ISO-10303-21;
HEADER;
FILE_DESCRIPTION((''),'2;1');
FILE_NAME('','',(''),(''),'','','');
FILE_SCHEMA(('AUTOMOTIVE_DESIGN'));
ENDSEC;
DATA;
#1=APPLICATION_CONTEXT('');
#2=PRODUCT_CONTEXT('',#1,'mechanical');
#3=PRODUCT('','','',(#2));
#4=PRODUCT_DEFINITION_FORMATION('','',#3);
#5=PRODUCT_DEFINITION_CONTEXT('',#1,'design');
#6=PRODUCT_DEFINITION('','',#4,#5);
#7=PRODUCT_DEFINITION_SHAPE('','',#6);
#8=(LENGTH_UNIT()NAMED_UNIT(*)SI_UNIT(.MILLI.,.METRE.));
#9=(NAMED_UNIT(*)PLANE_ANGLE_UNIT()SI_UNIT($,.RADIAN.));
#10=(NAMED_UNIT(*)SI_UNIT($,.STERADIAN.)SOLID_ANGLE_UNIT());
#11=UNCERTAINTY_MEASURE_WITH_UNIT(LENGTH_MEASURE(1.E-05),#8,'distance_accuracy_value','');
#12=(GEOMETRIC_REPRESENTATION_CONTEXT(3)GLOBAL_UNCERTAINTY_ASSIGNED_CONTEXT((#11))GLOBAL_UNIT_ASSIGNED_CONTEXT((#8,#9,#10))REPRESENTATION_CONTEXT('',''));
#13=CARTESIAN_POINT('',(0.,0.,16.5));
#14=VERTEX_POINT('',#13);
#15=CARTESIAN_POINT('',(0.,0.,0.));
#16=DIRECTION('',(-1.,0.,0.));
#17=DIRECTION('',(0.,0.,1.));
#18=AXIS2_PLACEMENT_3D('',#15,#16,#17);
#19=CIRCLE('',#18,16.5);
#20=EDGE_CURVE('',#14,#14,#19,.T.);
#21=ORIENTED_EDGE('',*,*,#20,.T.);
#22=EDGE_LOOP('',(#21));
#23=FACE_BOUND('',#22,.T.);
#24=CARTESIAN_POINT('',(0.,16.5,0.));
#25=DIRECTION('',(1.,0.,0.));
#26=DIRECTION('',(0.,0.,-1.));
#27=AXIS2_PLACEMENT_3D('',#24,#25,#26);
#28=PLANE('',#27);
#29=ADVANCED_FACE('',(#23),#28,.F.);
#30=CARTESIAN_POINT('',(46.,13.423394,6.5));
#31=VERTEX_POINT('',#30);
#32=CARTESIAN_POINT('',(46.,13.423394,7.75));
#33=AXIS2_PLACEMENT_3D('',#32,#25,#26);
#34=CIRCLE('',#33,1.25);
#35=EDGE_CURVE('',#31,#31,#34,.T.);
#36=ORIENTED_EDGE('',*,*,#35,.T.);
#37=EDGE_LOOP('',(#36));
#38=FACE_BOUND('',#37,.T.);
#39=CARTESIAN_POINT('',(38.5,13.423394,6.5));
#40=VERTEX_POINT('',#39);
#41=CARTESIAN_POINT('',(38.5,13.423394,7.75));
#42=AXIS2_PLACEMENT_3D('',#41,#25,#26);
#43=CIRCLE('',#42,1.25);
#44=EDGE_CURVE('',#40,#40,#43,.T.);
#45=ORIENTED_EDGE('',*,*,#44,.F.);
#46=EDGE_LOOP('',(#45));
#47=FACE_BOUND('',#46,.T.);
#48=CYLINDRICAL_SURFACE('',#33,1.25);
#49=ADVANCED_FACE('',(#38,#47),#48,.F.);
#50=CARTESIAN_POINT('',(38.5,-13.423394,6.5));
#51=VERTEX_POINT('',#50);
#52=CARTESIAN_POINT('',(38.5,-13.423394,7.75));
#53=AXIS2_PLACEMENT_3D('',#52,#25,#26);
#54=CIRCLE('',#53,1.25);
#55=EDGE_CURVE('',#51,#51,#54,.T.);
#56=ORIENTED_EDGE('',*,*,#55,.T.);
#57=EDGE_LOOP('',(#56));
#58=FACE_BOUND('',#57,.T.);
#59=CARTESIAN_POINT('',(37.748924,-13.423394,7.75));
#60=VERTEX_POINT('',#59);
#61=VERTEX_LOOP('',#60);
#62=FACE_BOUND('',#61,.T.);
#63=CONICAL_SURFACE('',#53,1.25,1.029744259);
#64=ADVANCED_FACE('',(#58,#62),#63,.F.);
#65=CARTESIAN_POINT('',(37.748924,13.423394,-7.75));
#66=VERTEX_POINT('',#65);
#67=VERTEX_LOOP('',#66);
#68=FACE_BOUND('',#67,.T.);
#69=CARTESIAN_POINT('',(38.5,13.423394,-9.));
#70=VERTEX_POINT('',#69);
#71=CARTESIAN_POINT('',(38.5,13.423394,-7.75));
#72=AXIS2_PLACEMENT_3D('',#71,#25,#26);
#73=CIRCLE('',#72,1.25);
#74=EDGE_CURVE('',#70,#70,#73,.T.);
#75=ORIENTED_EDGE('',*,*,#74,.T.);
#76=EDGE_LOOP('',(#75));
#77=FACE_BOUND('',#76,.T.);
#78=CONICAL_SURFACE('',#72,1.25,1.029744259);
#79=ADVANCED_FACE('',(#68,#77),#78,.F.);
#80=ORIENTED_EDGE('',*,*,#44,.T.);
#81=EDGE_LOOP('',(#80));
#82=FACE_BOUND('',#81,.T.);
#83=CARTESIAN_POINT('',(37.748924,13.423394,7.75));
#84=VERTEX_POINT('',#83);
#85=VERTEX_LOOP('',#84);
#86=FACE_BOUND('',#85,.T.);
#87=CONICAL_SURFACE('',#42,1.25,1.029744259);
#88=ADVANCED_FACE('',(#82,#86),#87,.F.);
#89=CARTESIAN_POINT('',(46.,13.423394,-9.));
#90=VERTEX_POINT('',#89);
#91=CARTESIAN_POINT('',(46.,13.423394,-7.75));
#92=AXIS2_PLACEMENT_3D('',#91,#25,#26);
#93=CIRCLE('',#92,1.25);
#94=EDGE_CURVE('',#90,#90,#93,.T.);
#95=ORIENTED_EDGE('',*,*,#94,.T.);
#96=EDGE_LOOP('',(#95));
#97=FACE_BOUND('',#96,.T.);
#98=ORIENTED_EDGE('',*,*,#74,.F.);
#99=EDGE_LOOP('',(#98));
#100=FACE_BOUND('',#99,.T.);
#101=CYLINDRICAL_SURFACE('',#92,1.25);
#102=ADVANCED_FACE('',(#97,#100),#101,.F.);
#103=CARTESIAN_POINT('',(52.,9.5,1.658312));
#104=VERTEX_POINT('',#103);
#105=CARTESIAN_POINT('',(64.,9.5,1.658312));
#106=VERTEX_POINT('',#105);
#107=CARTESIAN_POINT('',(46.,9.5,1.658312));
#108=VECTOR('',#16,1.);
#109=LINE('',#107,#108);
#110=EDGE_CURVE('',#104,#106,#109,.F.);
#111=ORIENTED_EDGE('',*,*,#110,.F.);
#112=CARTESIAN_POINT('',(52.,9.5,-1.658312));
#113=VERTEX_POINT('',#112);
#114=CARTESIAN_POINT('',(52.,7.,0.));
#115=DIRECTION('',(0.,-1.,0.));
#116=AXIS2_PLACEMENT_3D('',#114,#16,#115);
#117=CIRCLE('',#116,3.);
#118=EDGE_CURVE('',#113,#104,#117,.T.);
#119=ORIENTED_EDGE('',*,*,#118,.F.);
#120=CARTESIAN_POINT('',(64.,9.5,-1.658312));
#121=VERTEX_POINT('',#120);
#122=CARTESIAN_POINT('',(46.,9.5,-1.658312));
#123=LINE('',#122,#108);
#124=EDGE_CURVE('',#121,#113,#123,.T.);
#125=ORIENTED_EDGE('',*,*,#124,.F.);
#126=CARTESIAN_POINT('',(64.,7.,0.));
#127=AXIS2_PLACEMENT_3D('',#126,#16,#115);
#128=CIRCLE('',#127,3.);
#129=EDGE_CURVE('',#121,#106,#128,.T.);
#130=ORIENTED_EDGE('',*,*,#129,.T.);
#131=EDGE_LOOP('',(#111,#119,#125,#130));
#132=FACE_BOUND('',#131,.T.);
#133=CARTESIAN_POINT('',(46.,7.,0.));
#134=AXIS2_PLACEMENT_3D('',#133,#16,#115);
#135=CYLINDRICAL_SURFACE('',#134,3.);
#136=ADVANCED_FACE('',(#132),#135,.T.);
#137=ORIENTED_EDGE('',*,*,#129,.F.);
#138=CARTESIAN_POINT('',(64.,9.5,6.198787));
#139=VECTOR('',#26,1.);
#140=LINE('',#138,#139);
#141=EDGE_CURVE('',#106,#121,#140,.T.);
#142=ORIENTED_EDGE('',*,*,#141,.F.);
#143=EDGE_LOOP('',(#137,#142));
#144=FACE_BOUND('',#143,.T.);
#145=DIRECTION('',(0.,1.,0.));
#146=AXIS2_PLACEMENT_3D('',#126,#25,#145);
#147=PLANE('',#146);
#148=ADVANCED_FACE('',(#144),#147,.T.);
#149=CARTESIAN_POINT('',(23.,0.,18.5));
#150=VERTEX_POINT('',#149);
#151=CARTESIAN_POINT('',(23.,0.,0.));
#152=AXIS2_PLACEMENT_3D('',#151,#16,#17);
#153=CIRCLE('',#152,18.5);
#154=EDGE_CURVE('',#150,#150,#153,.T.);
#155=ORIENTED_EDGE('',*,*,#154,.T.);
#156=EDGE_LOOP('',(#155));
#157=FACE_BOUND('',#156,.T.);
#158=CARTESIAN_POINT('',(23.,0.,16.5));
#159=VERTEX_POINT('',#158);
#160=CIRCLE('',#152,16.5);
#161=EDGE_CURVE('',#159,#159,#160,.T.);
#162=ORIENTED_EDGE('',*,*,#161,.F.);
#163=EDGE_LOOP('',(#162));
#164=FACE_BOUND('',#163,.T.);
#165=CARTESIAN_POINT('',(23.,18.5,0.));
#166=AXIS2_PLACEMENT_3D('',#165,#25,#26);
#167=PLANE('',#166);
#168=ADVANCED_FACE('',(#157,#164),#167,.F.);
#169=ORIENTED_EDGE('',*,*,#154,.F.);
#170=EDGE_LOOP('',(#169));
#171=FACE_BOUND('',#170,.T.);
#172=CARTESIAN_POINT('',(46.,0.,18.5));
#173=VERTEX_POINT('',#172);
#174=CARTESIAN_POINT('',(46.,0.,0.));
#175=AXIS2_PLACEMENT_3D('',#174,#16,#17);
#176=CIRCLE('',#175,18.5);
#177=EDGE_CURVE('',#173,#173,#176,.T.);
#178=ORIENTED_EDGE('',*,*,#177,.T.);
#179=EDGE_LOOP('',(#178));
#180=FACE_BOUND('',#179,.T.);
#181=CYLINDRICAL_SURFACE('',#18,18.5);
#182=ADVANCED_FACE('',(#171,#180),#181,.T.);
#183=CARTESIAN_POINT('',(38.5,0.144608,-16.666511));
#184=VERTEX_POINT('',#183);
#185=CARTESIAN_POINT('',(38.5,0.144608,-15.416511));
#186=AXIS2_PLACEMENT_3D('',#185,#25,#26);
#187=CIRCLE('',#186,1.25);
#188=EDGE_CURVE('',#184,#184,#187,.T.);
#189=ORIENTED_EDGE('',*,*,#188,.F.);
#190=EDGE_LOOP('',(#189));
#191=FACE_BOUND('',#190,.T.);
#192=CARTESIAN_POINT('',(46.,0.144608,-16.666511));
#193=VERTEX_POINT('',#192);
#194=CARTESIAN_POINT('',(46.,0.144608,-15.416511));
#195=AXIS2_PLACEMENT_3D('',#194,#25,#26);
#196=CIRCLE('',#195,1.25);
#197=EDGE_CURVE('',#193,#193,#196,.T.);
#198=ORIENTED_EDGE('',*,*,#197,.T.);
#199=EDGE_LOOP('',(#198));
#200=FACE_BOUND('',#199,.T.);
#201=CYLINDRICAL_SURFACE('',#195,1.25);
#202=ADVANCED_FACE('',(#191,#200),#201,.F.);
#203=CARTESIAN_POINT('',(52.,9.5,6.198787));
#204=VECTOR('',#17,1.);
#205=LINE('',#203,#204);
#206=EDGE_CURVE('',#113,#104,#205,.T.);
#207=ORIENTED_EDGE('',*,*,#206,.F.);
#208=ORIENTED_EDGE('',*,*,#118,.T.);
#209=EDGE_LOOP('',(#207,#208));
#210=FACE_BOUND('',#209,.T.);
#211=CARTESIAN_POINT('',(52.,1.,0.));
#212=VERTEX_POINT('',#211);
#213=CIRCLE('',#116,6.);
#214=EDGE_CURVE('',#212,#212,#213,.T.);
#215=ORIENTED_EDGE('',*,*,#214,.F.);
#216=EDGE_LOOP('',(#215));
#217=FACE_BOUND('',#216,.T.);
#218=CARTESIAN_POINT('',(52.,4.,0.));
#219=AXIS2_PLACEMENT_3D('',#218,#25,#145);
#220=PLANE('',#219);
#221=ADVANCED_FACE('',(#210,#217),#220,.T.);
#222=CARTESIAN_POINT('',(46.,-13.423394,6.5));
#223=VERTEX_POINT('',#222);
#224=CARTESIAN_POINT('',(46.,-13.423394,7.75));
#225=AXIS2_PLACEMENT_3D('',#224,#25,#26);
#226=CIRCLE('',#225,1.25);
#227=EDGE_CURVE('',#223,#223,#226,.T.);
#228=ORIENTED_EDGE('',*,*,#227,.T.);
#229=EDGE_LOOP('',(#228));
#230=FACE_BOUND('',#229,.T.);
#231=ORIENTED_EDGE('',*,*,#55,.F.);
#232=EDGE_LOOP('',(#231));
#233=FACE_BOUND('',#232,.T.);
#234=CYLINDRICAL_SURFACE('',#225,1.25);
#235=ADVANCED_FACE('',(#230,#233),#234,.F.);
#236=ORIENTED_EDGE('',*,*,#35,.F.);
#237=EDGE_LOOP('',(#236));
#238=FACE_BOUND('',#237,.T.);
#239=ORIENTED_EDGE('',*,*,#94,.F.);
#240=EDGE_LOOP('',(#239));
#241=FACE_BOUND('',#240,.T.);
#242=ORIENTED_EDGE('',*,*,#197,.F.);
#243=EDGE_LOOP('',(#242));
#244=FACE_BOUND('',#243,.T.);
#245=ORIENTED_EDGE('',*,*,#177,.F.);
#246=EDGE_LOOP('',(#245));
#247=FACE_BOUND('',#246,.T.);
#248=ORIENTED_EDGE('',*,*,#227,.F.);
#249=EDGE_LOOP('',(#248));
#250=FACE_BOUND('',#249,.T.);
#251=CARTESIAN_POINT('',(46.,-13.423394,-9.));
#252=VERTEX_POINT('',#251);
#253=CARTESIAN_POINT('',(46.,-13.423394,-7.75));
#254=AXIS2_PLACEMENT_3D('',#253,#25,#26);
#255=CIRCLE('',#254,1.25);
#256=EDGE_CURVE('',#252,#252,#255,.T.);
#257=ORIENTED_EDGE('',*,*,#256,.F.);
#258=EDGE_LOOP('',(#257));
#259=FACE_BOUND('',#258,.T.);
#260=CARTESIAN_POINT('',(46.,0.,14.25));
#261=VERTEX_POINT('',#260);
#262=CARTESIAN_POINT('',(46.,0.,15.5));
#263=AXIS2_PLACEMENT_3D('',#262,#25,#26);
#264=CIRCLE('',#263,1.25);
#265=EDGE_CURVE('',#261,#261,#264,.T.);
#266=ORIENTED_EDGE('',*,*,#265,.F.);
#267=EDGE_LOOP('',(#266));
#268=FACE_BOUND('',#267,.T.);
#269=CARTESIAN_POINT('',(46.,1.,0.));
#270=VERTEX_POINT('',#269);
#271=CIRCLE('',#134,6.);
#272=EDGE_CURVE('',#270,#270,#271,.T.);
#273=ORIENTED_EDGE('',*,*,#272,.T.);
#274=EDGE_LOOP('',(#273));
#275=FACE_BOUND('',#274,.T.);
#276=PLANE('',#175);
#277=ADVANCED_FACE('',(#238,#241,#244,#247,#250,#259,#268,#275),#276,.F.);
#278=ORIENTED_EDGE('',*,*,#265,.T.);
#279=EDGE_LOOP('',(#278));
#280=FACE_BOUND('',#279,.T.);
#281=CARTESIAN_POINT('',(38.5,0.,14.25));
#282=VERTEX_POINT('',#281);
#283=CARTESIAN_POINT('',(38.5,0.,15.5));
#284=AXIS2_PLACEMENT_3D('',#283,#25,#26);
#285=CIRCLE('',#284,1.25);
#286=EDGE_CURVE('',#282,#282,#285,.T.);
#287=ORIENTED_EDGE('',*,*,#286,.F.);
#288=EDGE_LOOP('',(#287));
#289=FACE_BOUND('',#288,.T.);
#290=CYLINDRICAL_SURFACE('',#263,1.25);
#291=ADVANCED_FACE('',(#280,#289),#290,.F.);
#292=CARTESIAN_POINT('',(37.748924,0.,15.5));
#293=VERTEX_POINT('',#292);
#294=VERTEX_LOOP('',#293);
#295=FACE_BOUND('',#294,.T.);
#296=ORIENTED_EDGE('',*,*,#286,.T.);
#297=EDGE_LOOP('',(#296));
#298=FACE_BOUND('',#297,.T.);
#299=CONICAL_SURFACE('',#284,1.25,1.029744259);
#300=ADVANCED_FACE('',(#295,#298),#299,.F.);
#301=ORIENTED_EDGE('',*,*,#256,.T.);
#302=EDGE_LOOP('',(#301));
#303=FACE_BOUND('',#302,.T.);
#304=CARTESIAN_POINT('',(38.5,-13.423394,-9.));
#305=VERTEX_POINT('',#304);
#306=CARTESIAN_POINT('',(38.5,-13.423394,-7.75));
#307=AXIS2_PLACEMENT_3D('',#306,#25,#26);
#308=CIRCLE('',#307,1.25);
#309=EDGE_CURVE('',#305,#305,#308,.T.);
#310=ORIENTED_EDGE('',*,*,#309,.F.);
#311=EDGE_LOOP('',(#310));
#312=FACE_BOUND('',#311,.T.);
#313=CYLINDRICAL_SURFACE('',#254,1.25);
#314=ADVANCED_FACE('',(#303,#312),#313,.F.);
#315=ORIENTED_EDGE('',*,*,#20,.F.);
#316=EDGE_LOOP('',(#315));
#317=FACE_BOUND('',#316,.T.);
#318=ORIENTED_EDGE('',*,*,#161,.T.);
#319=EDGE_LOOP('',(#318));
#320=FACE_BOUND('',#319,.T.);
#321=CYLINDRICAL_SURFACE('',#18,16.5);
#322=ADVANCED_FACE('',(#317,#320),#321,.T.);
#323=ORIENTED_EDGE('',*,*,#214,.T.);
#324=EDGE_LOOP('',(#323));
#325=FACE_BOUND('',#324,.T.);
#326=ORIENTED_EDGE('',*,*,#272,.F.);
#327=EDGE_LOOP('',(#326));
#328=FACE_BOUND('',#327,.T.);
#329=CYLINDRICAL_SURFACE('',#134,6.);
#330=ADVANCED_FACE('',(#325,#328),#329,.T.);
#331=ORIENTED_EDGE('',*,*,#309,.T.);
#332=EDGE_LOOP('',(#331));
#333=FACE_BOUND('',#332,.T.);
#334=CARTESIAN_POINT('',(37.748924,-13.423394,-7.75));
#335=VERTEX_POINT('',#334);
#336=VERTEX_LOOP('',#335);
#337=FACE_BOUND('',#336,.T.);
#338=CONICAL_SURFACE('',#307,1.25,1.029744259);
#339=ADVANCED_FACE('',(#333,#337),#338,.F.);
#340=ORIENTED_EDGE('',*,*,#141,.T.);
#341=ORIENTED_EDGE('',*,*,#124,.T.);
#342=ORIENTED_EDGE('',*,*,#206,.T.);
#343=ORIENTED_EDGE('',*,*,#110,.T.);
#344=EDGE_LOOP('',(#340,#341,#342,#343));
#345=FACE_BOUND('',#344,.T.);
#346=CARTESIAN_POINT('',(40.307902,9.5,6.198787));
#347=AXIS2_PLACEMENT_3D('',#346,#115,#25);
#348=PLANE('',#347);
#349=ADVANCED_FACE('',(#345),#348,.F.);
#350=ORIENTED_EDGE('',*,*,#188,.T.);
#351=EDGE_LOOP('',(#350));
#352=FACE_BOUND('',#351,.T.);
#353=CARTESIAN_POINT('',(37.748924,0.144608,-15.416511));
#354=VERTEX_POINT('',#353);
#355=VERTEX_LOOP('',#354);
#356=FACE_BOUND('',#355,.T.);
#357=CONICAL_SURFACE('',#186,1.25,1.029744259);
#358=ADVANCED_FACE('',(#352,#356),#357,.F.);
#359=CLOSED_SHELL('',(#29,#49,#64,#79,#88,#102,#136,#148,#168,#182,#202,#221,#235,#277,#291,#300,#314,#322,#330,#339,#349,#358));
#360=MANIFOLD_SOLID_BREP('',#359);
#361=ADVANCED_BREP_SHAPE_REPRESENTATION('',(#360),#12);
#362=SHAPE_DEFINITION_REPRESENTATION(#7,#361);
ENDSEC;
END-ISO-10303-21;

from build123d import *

# Parameters (mm, degrees)
SKETCH_3_W             = 11.653142641
SKETCH_3_H             = 0.953639491
CUT_EXTRUDE_1_DEPTH    = 12
HOLE_WIZARD_M3_1_D     = 2.5
HOLE_WIZARD_M3_1_DEPTH = 7.5
HOLE_WIZARD_M3_1_TIP   = 0.751075774


with BuildPart() as part:
    # 草图1 → 旋转1 (revolve)
    with BuildSketch(Plane.XY):
        Polygon((0, 0), (46, 0), (46, 18.5), (23, 18.5), (23, 16.5), (0, 16.5), align=None)
    revolve(axis=Axis((0, 0, 0), (1, 0, 0)))

    # 草图2 → 旋转2 (revolve)
    with BuildSketch(Plane.XY):
        Polygon((46, 7), (64, 7), (64, 4), (52, 4), (52, 1), (46, 1), align=None)
    revolve(axis=Axis((46, 7, 0), (1, 0, 0)))

    # 草图3 → 切除-拉伸1 (cut)
    with BuildSketch(Plane(origin=(64, 0, 0), x_dir=(0, 0, -1), z_dir=(1, 0, 0))):
        with Locations((-0.372215264, 9.976819746)):
            Rectangle(SKETCH_3_W, SKETCH_3_H)
    extrude(amount=-CUT_EXTRUDE_1_DEPTH, mode=Mode.SUBTRACT)

    # M3 螺纹孔1
    with Locations(Plane(origin=(46, 0, 0), x_dir=(0, 0, -1), z_dir=(1, 0, 0))):
        with Locations((-7.75, 13.423393759), (7.75, 13.423393759), (15.4165108, 0.144607536), (7.75, -13.423393759), (-7.75, -13.423393759), (-15.5, 0)):
            Hole(HOLE_WIZARD_M3_1_D / 2, depth=HOLE_WIZARD_M3_1_DEPTH)
            with Locations((0, 0, -(HOLE_WIZARD_M3_1_DEPTH + HOLE_WIZARD_M3_1_TIP / 2))):  # 118° drill point
                Cone(0, HOLE_WIZARD_M3_1_D / 2, HOLE_WIZARD_M3_1_TIP, mode=Mode.SUBTRACT)


solid = part.part
